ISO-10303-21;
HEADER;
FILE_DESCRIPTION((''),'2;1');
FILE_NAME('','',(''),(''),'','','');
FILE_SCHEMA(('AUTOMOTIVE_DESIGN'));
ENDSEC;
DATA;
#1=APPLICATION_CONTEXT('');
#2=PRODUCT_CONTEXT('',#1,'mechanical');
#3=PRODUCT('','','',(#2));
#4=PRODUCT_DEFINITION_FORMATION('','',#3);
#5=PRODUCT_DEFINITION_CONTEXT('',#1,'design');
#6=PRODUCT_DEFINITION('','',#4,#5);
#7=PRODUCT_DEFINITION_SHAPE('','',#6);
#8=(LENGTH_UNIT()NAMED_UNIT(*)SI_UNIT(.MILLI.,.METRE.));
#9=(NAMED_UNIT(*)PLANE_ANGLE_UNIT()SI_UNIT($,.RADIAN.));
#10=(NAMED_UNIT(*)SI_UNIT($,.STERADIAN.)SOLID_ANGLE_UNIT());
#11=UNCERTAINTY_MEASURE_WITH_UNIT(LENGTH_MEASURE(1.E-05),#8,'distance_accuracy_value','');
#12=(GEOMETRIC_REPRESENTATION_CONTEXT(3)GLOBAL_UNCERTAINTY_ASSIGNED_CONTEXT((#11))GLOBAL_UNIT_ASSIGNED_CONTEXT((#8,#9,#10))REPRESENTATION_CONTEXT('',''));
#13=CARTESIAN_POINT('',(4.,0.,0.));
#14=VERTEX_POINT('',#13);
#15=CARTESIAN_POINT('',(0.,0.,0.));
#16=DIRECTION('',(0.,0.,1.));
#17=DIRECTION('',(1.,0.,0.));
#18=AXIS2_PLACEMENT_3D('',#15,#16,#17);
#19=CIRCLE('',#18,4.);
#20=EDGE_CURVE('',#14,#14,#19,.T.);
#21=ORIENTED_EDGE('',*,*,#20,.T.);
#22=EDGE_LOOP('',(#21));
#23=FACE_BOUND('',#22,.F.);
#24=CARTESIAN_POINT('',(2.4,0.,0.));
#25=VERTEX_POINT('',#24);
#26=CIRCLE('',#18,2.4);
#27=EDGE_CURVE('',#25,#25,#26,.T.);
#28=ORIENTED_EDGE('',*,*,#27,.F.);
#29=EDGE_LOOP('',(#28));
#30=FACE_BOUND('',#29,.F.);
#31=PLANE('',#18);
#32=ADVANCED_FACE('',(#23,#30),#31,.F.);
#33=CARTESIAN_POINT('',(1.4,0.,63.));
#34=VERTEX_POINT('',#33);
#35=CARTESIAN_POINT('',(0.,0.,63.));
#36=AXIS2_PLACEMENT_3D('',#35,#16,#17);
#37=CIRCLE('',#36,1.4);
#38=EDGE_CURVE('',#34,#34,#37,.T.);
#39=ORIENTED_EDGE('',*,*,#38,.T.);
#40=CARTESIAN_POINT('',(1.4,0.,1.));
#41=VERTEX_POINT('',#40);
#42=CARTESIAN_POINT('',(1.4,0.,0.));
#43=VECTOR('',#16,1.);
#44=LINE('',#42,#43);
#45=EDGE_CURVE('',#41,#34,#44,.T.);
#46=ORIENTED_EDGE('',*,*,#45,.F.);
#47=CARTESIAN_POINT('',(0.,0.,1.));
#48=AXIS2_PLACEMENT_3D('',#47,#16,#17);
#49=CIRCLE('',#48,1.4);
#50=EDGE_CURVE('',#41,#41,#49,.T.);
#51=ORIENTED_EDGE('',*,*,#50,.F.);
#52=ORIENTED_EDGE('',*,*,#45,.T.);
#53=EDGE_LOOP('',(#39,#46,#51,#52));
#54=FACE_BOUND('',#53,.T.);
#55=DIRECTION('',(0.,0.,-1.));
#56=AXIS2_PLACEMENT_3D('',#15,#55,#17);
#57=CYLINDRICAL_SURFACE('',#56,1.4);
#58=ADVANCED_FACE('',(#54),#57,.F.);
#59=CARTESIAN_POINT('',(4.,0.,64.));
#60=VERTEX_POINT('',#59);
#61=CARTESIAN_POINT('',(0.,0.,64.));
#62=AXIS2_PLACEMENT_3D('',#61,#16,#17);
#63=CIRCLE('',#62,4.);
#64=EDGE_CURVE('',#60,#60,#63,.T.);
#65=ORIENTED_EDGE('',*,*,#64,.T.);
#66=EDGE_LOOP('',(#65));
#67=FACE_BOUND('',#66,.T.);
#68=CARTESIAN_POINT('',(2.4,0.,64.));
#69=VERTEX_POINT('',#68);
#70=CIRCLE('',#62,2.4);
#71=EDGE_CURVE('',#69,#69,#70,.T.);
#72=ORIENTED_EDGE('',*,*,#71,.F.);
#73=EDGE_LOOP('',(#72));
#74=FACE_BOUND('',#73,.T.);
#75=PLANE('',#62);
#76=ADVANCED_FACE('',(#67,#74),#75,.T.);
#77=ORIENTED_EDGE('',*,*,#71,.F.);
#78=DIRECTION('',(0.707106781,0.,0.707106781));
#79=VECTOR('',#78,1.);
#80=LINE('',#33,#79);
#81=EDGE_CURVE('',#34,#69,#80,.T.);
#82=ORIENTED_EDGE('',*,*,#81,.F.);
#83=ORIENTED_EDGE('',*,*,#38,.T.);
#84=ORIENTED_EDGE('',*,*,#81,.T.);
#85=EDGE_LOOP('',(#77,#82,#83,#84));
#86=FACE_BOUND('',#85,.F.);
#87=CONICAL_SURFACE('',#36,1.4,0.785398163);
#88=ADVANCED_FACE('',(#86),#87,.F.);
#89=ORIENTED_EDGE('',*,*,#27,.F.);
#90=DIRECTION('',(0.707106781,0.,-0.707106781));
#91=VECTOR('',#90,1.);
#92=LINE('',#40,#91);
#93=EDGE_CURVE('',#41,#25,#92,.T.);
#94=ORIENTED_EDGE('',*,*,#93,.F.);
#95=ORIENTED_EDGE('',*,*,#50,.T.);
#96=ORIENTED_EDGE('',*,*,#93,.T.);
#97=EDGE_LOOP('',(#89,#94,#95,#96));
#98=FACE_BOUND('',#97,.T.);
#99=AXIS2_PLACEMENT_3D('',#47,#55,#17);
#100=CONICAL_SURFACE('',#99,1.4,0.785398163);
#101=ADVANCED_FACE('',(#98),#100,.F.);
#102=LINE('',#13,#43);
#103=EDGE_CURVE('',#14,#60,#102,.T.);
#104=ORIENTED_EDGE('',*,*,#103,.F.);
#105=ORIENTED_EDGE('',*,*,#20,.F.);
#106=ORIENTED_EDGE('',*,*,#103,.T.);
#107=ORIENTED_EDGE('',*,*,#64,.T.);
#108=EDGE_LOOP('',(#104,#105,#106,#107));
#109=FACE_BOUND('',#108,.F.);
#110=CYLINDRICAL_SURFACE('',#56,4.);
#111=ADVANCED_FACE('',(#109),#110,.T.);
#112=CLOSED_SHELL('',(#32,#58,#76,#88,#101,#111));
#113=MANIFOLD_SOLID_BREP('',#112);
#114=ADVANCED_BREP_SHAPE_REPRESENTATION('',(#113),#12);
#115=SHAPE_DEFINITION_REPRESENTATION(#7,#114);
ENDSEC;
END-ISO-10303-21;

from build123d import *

# Parameters (mm, degrees)
SKETCH_R     = 4
SKETCH_R_2   = 1.4
PAD_DEPTH    = 64
CHAMFER_SIZE = 1


with BuildPart() as part:
    # Sketch → Pad (new body)
    with BuildSketch(Plane.XY):
        Circle(SKETCH_R)
        Circle(SKETCH_R_2, mode=Mode.SUBTRACT)
    extrude(amount=PAD_DEPTH)

    # Chamfer
    chamfer_edges = [part.edges().sort_by_distance(p)[0] for p in [
        (-1.4, 0, 64),
        (-1.4, 0, 0),
    ]]
    chamfer(chamfer_edges, length=CHAMFER_SIZE)


solid = part.part
